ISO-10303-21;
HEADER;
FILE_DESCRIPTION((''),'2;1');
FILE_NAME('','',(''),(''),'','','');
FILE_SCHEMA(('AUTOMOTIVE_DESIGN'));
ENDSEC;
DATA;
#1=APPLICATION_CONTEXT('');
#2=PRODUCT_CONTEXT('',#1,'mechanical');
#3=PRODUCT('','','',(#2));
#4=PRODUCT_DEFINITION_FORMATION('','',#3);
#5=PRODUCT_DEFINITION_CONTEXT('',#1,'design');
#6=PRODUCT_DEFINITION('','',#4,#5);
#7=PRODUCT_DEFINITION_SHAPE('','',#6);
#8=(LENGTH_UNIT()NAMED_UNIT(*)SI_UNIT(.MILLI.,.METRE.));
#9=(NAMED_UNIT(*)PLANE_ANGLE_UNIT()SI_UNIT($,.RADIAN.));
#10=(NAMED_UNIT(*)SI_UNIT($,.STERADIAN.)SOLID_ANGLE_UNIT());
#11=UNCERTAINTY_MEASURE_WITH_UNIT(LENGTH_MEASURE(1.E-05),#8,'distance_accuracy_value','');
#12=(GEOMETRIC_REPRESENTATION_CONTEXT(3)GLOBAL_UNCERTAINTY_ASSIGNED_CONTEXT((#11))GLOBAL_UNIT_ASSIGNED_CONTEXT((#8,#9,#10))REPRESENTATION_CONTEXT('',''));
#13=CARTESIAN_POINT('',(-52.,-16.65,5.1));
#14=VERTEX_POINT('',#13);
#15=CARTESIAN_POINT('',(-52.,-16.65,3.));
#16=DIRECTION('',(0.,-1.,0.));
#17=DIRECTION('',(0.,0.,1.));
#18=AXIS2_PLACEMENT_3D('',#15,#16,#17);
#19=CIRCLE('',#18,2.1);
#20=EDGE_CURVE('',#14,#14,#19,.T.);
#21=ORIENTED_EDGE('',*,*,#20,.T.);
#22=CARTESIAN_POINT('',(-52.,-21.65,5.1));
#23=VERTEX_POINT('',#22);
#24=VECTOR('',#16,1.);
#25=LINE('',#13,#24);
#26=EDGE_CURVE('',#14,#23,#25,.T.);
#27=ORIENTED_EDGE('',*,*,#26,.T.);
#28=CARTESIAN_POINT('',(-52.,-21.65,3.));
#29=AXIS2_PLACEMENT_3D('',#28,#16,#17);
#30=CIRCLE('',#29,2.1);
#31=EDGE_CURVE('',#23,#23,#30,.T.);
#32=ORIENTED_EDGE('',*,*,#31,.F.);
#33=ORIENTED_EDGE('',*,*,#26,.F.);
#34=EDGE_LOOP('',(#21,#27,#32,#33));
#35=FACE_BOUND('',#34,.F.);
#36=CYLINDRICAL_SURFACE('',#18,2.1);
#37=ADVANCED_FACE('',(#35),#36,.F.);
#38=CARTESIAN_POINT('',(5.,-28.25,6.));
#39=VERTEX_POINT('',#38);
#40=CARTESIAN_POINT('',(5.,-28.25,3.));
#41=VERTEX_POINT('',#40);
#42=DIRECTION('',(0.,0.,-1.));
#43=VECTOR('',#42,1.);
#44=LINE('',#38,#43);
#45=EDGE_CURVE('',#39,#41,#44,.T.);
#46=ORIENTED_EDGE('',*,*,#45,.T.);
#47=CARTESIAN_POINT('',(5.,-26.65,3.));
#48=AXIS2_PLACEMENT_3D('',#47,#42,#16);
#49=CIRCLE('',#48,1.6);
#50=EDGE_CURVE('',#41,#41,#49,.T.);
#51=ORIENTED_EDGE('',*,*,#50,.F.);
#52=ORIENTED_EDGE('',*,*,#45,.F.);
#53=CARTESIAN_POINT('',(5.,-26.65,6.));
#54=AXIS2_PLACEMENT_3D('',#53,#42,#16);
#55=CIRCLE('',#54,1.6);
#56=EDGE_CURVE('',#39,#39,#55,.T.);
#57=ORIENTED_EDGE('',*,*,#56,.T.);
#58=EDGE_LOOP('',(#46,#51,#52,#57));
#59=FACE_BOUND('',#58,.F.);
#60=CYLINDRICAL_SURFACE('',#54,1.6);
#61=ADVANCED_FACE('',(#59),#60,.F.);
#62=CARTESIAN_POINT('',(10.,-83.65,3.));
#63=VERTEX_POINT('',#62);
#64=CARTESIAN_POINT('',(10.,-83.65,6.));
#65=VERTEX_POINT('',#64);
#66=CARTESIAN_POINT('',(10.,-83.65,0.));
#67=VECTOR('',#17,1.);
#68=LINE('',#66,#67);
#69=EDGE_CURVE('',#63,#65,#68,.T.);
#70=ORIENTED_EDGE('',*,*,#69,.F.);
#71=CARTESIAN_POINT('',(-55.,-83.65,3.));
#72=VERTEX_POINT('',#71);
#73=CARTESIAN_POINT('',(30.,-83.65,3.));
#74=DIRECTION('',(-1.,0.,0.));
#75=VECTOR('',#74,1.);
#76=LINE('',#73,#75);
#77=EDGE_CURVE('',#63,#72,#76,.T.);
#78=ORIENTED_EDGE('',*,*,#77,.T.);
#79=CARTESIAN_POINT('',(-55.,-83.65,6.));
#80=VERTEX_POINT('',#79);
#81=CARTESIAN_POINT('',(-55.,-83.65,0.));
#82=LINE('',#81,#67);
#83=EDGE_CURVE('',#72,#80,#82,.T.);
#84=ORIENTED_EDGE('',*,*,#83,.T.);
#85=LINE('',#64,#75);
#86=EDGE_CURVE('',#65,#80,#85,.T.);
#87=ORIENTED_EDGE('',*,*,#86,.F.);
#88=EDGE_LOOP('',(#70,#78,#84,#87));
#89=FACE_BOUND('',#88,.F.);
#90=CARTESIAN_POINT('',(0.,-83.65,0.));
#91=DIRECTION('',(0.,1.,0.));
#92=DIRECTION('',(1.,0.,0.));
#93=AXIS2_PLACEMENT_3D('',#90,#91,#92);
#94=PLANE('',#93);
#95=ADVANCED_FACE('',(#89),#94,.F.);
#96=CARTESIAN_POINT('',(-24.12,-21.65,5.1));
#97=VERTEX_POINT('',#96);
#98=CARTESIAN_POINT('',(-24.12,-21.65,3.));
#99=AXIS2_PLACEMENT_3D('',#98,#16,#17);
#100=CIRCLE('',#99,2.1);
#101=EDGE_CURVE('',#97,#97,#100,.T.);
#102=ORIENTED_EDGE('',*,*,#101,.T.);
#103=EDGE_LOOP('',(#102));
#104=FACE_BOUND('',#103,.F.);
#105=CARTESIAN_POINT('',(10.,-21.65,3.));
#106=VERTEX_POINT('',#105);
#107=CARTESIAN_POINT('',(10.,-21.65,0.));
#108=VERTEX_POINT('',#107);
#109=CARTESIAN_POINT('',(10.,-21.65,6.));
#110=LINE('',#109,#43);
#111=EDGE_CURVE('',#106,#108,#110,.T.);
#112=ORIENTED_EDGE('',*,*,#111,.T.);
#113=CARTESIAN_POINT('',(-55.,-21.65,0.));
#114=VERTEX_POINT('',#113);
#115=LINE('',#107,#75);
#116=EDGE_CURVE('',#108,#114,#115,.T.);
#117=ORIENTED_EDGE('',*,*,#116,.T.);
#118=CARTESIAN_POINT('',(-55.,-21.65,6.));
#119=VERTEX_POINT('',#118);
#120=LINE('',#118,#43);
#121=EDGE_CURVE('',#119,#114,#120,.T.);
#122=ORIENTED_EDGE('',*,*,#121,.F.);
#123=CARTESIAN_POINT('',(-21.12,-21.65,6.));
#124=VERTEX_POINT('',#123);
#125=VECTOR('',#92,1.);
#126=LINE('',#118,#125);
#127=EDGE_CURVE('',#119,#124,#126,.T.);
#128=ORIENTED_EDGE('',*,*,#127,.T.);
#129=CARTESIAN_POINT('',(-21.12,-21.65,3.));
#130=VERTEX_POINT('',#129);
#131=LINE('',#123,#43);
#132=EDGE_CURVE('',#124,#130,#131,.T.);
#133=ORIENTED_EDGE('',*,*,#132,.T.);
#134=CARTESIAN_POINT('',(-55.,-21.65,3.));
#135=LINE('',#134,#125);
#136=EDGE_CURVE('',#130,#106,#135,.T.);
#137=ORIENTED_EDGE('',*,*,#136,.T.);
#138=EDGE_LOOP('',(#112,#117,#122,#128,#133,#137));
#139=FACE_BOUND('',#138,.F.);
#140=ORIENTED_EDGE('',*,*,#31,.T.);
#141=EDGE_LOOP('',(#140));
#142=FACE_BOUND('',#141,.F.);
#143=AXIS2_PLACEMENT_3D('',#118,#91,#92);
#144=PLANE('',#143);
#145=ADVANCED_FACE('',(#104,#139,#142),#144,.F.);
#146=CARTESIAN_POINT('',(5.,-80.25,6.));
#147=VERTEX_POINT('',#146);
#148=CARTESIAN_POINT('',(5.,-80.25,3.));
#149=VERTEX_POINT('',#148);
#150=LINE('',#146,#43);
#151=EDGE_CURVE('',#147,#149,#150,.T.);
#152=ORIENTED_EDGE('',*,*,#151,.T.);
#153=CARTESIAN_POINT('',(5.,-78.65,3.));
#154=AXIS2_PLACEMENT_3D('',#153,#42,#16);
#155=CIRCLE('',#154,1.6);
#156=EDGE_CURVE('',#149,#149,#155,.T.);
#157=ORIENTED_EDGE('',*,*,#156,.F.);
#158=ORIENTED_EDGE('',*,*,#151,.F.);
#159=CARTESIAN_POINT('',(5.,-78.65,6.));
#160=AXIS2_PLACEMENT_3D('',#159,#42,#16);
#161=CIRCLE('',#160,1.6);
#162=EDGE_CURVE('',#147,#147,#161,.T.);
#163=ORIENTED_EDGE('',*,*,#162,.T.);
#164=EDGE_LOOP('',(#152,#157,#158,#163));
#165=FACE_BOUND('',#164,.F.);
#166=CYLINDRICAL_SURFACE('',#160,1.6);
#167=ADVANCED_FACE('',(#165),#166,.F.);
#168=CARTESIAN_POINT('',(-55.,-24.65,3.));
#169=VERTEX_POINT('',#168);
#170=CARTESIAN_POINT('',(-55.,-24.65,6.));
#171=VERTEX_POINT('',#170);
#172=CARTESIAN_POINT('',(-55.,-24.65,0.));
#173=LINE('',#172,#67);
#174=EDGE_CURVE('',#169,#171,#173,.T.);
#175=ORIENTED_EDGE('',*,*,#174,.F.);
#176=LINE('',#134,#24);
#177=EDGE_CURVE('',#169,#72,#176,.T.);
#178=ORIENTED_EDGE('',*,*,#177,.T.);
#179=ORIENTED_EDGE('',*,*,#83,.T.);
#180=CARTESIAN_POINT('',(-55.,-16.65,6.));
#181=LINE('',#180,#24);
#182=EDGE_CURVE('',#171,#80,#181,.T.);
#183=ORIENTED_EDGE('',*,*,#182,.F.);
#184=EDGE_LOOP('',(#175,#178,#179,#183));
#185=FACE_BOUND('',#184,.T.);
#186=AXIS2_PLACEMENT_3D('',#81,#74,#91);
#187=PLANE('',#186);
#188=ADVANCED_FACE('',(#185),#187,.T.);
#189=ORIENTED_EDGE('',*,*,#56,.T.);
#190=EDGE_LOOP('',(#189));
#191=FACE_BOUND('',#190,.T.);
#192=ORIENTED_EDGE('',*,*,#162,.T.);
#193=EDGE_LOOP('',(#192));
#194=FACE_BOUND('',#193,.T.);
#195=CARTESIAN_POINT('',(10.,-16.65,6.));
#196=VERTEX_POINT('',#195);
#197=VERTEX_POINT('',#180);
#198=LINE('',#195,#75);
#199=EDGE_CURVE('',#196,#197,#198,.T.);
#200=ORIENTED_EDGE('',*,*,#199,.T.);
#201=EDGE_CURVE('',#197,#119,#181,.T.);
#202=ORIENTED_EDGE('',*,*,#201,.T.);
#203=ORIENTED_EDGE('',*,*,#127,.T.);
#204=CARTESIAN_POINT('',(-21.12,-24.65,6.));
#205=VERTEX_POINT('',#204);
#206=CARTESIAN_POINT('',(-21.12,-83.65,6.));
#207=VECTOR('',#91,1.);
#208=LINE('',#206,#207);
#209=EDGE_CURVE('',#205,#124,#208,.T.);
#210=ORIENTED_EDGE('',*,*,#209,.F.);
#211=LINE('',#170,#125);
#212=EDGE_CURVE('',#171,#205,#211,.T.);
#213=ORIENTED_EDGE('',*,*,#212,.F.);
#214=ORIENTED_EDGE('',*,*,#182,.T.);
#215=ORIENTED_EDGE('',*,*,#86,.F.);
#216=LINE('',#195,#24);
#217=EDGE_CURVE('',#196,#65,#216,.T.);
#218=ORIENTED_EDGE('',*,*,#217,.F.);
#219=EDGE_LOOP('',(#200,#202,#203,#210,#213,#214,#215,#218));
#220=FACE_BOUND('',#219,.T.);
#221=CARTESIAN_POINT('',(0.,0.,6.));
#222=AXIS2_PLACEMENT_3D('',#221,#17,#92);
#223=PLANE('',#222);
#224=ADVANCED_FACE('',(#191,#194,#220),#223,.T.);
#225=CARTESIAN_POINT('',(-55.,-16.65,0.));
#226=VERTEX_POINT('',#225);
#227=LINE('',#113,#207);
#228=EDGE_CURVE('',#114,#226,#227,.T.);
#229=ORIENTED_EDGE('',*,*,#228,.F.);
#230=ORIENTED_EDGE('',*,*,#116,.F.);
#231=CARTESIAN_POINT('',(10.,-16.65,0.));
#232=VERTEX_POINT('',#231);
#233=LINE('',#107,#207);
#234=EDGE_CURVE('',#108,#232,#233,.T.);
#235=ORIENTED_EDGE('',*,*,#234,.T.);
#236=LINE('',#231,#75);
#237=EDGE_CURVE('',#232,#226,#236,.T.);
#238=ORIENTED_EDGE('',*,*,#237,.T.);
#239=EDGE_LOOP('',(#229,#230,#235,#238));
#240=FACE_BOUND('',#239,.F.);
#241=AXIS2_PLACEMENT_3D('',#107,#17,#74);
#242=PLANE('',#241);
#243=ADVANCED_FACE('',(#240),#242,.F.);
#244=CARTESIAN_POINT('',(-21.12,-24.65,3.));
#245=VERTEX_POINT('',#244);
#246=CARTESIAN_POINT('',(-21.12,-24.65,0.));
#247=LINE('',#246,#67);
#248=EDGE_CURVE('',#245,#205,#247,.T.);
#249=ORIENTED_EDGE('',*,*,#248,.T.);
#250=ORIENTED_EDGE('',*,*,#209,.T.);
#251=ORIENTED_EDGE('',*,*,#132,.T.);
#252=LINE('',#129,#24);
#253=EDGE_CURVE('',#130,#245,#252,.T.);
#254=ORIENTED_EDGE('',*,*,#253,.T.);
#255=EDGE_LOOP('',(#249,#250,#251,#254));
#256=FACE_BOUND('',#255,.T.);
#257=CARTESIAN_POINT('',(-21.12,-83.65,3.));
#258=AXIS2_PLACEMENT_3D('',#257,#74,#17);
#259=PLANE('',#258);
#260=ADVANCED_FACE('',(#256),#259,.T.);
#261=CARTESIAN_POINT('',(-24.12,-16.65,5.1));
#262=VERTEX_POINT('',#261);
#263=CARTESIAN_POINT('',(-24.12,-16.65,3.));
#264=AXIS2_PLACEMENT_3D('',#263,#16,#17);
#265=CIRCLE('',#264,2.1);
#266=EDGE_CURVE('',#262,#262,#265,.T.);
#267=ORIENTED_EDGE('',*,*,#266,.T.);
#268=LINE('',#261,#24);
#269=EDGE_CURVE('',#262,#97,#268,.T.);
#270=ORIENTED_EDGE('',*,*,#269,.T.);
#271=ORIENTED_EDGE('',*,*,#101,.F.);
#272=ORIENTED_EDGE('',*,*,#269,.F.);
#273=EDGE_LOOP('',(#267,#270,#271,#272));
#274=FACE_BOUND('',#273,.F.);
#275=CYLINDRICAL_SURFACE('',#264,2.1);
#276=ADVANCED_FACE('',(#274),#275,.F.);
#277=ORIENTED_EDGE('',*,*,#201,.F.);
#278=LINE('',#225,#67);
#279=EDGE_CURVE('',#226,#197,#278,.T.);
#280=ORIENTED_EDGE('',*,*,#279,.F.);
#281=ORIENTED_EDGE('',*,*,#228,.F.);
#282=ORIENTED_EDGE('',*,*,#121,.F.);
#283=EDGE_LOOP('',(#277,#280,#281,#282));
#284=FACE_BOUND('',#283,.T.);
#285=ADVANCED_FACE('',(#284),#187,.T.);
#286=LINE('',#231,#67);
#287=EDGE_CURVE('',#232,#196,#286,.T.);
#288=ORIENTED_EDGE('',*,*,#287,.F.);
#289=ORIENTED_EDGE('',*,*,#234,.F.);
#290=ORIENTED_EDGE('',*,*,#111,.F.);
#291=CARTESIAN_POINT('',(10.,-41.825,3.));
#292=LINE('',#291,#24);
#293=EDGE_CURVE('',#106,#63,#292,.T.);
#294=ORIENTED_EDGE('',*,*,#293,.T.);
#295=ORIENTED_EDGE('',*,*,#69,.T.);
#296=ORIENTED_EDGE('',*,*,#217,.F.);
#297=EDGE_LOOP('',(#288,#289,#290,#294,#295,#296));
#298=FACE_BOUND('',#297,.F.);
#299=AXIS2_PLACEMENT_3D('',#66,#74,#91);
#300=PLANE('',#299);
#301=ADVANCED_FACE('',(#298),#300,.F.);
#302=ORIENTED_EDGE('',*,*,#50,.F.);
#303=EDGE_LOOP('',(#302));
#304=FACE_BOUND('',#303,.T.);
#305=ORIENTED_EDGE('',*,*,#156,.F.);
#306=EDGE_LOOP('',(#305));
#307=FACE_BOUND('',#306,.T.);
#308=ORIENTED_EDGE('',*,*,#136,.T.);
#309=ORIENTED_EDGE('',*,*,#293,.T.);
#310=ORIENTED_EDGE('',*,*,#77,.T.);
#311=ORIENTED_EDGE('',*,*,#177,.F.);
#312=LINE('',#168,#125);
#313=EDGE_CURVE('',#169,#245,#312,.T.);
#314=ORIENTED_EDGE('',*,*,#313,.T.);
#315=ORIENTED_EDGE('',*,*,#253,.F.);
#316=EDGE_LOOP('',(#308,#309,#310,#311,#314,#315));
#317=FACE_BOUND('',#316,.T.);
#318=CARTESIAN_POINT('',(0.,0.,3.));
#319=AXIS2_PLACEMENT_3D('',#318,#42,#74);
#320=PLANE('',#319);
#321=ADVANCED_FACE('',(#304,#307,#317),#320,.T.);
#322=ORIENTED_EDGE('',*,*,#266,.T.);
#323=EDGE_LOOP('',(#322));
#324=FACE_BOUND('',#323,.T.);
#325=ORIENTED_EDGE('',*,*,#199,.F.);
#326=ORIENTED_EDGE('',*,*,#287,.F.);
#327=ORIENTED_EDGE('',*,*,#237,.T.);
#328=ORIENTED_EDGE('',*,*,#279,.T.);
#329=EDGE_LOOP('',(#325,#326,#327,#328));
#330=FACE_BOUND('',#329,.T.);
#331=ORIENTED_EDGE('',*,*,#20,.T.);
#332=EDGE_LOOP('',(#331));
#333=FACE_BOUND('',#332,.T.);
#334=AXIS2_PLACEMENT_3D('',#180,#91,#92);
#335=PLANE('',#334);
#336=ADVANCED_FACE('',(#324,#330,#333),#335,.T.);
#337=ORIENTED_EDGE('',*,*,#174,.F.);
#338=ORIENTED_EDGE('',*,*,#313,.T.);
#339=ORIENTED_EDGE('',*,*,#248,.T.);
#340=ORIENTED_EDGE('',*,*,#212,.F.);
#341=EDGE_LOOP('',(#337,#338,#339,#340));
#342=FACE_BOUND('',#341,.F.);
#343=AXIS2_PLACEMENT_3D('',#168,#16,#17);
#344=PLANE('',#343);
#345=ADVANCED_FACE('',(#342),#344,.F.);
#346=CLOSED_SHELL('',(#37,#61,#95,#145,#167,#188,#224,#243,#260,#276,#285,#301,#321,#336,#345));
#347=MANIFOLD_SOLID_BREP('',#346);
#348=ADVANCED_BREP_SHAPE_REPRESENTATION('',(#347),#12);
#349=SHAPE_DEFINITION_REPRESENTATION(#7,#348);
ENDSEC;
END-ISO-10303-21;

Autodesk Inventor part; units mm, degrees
ref_plane "YZ Plane" through (0, 0, 0) normal (1, 0, 0) x (0, 1, 0)
ref_plane "XZ Plane" through (0, 0, 0) normal (0, 1, 0) x (-1, 0, 0)
ref_plane "XY Plane" through (0, 0, 0) normal (0, 0, 1) x (1, 0, 0)
sketch "Boceto1" plane through (0, 0, 0) normal (0, 0, 1) x (1, 0, 0)
  line L0 (30, -83.65) -> (30, 0) projected
  line L1 (0, 0) -> (30, 0) projected
  line L2 (0, 0) -> (0, -83.65) projected
  line L3 (0, -83.65) -> (30, -83.65) projected
  line L4 (-13.92, -24.65) -> (-9.92, -24.65) projected
  line L5 (30, -83.65) -> (-55, -83.65)
  line L6 (-55, -83.65) -> (-55, -24.65)
  line L7 (-55, -24.65) -> (30, -24.65)
  line L8 (30, -24.65) -> (30, -83.65)
  line L9 (-55, -24.65) -> (-55, -21.65)
  line L10 (-55, -21.65) -> (30, -21.65)
  line L11 (0, -83.65) -> (10, -83.65)
  line L12 (10, -83.65) -> (10, -21.65)
  circle A0 centre (5, -78.65) radius 2.1 projected
  circle A1 centre (5, -26.65) radius 2.1 projected
  dimension "d0" = 85
  dimension "d1" = 59
  dimension "d2" = 3
  dimension "d5" = 10
extrude "Extrusión1" add sketch "Boceto1" along normal blind 6 contours L3 L2 L7 A1 L12 | L7 A1 L2 L10 L12 | L5 L6 L7 L4 L2 | A1 L7 | L7 A1 | L7 L4 L9 L10 L2 | A0
sketch "Boceto2" plane through (0, 0, 6) normal (0, 0, 1) x (1, 0, 0)
  line L0 (10, -83.65) -> (10, -21.65) projected
  line L1 (-55, -83.65) -> (10, -83.65) projected
  line L2 (10, -21.65) -> (-55, -21.65) projected
  point P0 (0, 0)
  point P1 (5, -78.65)
  point P2 (5, -26.65)
  dimension "d6" = 5
  dimension "d7" = 5
  dimension "d8" = 5
  dimension "d9" = 5
hole "Agujero1" at (5, -78.65, 6) at (5, -26.65, 6) direction (0, 0, -1) diameter 3.2 end through all
sketch "Boceto3" plane through (0, 0, 0) normal (0, 0, -1) x (-1, 0, 0)
  circle A0 centre (-5, -78.65) radius 2.1
  circle A1 centre (-5, -26.65) radius 2.1
  line L0 (-12, 0) -> (-12, -7.15)
  line L1 (-12, -7.15) -> (-30, -7.15)
  line L2 (-30, -7.15) -> (-30, -83.65)
  line L3 (0, -83.65) -> (-30, -83.65)
  line L4 (0, -83.65) -> (0, 0)
  line L5 (0, 0) -> (-12, 0)
  line L6 (20.12, -21.65) -> (-10, -21.65)
  line L7 (-10, -21.65) -> (-10, -83.65)
  circle A2 centre (-5, -26.65) radius 1.6
  circle A3 centre (-5, -78.65) radius 1.6
  circle A4 centre (-5, -26.65) radius 1.6 projected
  circle A5 centre (-5, -78.65) radius 1.6 projected
  line L8 (55, -21.65) -> (55, -83.65) projected
  line L9 (-10, -21.65) -> (55, -21.65) projected
  line L10 (-10, -83.65) -> (-10, -21.65) projected
  line L11 (55, -83.65) -> (-10, -83.65) projected
  line L12 (-10, -83.65) -> (20.12, -83.65)
  line L13 (20.12, -83.65) -> (20.12, -21.65)
  point P0 (0, -21.65)
extrude "Extrusión2" cut sketch "Boceto3" against normal blind 3 contours A0 | A1 | L5 L4 L6 L7 L3 L2 L1 L0 | L6 L13 L11 L4 | L4 L3 L7 L6 | L9 L8 L11 L13 | A2 | A3
sketch "Boceto4" plane through (-55, -21.65, 6) normal (0, 1, 0) x (1, 0, 0)
  line L0 (65, 3) -> (0, 3) projected
  line L1 (0, 3) -> (0, 0) projected
  line L2 (65, 0) -> (0, 0) projected
  line L3 (65, 3) -> (65, 0) projected
  line L4 (0, 0) -> (65, 0)
  line L5 (65, 0) -> (65, 6)
  line L6 (65, 6) -> (0, 6)
  line L7 (0, 6) -> (0, 0)
  point P0 (55, 6)
extrude "Extrusión3" add sketch "Boceto4" along normal blind 5
sketch "Boceto5" plane through (-55, -83.65, 3) normal (-1, 0, 0) x (0, 0, 1)
  line L0 (-69, 62) -> (-69, 59)
  line L1 (-3, 59) -> (-69, 59)
  line L2 (-3, 59) -> (-3, 62)
  line L3 (-3, 62) -> (-69, 62)
  line L4 (0, 62) -> (0, 0) projected
  line L5 (0, 0) -> (3, 0) projected
  line L6 (3, 0) -> (3, 67) projected
  line L7 (-3, 67) -> (3, 67) projected
  line L8 (-3, 62) -> (-3, 67) projected
  line L9 (-3, 62) -> (0, 62) projected
  line L10 (-3, 59) -> (3, 59)
  line L11 (3, 59) -> (3, 62)
  line L12 (3, 62) -> (-3, 62)
  line L13 (-3, 62) -> (-3, 59)
  point P0 (-3, 83.65)
  point P1 (0, 59)
extrude "Extrusión4" cut sketch "Boceto5" against normal blind 33.88 contours L12 L6 L10 L4
sketch "Boceto6" plane through (-55, -16.65, 6) normal (0, 1, 0) x (1, 0, 0)
  line L0 (0, 6) -> (0, 0) projected
  line L1 (0, 0) -> (65, 0) projected
  line L2 (65, 0) -> (65, 6) projected
  line L3 (65, 6) -> (0, 6) projected
  line L4 (0, 0) -> (0, 3)
  line L5 (0, 3) -> (3, 3)
  circle A0 centre (3, 3) radius 2.1
  line L6 (33.88, 3) -> (33.88, 0) projected
  line L7 (33.88, 3) -> (30.88, 3)
  circle A1 centre (30.88, 3) radius 2.1
  dimension "d34" = 3
  dimension "d35" = 4.2
  dimension "d36" = 4.2
hole "Agujero2" at (-52, -16.65, 3) at (-24.12, -16.65, 3) direction (0, -1, 0) diameter 4.2 depth 5
properties part number "Lateral izquierdo"
